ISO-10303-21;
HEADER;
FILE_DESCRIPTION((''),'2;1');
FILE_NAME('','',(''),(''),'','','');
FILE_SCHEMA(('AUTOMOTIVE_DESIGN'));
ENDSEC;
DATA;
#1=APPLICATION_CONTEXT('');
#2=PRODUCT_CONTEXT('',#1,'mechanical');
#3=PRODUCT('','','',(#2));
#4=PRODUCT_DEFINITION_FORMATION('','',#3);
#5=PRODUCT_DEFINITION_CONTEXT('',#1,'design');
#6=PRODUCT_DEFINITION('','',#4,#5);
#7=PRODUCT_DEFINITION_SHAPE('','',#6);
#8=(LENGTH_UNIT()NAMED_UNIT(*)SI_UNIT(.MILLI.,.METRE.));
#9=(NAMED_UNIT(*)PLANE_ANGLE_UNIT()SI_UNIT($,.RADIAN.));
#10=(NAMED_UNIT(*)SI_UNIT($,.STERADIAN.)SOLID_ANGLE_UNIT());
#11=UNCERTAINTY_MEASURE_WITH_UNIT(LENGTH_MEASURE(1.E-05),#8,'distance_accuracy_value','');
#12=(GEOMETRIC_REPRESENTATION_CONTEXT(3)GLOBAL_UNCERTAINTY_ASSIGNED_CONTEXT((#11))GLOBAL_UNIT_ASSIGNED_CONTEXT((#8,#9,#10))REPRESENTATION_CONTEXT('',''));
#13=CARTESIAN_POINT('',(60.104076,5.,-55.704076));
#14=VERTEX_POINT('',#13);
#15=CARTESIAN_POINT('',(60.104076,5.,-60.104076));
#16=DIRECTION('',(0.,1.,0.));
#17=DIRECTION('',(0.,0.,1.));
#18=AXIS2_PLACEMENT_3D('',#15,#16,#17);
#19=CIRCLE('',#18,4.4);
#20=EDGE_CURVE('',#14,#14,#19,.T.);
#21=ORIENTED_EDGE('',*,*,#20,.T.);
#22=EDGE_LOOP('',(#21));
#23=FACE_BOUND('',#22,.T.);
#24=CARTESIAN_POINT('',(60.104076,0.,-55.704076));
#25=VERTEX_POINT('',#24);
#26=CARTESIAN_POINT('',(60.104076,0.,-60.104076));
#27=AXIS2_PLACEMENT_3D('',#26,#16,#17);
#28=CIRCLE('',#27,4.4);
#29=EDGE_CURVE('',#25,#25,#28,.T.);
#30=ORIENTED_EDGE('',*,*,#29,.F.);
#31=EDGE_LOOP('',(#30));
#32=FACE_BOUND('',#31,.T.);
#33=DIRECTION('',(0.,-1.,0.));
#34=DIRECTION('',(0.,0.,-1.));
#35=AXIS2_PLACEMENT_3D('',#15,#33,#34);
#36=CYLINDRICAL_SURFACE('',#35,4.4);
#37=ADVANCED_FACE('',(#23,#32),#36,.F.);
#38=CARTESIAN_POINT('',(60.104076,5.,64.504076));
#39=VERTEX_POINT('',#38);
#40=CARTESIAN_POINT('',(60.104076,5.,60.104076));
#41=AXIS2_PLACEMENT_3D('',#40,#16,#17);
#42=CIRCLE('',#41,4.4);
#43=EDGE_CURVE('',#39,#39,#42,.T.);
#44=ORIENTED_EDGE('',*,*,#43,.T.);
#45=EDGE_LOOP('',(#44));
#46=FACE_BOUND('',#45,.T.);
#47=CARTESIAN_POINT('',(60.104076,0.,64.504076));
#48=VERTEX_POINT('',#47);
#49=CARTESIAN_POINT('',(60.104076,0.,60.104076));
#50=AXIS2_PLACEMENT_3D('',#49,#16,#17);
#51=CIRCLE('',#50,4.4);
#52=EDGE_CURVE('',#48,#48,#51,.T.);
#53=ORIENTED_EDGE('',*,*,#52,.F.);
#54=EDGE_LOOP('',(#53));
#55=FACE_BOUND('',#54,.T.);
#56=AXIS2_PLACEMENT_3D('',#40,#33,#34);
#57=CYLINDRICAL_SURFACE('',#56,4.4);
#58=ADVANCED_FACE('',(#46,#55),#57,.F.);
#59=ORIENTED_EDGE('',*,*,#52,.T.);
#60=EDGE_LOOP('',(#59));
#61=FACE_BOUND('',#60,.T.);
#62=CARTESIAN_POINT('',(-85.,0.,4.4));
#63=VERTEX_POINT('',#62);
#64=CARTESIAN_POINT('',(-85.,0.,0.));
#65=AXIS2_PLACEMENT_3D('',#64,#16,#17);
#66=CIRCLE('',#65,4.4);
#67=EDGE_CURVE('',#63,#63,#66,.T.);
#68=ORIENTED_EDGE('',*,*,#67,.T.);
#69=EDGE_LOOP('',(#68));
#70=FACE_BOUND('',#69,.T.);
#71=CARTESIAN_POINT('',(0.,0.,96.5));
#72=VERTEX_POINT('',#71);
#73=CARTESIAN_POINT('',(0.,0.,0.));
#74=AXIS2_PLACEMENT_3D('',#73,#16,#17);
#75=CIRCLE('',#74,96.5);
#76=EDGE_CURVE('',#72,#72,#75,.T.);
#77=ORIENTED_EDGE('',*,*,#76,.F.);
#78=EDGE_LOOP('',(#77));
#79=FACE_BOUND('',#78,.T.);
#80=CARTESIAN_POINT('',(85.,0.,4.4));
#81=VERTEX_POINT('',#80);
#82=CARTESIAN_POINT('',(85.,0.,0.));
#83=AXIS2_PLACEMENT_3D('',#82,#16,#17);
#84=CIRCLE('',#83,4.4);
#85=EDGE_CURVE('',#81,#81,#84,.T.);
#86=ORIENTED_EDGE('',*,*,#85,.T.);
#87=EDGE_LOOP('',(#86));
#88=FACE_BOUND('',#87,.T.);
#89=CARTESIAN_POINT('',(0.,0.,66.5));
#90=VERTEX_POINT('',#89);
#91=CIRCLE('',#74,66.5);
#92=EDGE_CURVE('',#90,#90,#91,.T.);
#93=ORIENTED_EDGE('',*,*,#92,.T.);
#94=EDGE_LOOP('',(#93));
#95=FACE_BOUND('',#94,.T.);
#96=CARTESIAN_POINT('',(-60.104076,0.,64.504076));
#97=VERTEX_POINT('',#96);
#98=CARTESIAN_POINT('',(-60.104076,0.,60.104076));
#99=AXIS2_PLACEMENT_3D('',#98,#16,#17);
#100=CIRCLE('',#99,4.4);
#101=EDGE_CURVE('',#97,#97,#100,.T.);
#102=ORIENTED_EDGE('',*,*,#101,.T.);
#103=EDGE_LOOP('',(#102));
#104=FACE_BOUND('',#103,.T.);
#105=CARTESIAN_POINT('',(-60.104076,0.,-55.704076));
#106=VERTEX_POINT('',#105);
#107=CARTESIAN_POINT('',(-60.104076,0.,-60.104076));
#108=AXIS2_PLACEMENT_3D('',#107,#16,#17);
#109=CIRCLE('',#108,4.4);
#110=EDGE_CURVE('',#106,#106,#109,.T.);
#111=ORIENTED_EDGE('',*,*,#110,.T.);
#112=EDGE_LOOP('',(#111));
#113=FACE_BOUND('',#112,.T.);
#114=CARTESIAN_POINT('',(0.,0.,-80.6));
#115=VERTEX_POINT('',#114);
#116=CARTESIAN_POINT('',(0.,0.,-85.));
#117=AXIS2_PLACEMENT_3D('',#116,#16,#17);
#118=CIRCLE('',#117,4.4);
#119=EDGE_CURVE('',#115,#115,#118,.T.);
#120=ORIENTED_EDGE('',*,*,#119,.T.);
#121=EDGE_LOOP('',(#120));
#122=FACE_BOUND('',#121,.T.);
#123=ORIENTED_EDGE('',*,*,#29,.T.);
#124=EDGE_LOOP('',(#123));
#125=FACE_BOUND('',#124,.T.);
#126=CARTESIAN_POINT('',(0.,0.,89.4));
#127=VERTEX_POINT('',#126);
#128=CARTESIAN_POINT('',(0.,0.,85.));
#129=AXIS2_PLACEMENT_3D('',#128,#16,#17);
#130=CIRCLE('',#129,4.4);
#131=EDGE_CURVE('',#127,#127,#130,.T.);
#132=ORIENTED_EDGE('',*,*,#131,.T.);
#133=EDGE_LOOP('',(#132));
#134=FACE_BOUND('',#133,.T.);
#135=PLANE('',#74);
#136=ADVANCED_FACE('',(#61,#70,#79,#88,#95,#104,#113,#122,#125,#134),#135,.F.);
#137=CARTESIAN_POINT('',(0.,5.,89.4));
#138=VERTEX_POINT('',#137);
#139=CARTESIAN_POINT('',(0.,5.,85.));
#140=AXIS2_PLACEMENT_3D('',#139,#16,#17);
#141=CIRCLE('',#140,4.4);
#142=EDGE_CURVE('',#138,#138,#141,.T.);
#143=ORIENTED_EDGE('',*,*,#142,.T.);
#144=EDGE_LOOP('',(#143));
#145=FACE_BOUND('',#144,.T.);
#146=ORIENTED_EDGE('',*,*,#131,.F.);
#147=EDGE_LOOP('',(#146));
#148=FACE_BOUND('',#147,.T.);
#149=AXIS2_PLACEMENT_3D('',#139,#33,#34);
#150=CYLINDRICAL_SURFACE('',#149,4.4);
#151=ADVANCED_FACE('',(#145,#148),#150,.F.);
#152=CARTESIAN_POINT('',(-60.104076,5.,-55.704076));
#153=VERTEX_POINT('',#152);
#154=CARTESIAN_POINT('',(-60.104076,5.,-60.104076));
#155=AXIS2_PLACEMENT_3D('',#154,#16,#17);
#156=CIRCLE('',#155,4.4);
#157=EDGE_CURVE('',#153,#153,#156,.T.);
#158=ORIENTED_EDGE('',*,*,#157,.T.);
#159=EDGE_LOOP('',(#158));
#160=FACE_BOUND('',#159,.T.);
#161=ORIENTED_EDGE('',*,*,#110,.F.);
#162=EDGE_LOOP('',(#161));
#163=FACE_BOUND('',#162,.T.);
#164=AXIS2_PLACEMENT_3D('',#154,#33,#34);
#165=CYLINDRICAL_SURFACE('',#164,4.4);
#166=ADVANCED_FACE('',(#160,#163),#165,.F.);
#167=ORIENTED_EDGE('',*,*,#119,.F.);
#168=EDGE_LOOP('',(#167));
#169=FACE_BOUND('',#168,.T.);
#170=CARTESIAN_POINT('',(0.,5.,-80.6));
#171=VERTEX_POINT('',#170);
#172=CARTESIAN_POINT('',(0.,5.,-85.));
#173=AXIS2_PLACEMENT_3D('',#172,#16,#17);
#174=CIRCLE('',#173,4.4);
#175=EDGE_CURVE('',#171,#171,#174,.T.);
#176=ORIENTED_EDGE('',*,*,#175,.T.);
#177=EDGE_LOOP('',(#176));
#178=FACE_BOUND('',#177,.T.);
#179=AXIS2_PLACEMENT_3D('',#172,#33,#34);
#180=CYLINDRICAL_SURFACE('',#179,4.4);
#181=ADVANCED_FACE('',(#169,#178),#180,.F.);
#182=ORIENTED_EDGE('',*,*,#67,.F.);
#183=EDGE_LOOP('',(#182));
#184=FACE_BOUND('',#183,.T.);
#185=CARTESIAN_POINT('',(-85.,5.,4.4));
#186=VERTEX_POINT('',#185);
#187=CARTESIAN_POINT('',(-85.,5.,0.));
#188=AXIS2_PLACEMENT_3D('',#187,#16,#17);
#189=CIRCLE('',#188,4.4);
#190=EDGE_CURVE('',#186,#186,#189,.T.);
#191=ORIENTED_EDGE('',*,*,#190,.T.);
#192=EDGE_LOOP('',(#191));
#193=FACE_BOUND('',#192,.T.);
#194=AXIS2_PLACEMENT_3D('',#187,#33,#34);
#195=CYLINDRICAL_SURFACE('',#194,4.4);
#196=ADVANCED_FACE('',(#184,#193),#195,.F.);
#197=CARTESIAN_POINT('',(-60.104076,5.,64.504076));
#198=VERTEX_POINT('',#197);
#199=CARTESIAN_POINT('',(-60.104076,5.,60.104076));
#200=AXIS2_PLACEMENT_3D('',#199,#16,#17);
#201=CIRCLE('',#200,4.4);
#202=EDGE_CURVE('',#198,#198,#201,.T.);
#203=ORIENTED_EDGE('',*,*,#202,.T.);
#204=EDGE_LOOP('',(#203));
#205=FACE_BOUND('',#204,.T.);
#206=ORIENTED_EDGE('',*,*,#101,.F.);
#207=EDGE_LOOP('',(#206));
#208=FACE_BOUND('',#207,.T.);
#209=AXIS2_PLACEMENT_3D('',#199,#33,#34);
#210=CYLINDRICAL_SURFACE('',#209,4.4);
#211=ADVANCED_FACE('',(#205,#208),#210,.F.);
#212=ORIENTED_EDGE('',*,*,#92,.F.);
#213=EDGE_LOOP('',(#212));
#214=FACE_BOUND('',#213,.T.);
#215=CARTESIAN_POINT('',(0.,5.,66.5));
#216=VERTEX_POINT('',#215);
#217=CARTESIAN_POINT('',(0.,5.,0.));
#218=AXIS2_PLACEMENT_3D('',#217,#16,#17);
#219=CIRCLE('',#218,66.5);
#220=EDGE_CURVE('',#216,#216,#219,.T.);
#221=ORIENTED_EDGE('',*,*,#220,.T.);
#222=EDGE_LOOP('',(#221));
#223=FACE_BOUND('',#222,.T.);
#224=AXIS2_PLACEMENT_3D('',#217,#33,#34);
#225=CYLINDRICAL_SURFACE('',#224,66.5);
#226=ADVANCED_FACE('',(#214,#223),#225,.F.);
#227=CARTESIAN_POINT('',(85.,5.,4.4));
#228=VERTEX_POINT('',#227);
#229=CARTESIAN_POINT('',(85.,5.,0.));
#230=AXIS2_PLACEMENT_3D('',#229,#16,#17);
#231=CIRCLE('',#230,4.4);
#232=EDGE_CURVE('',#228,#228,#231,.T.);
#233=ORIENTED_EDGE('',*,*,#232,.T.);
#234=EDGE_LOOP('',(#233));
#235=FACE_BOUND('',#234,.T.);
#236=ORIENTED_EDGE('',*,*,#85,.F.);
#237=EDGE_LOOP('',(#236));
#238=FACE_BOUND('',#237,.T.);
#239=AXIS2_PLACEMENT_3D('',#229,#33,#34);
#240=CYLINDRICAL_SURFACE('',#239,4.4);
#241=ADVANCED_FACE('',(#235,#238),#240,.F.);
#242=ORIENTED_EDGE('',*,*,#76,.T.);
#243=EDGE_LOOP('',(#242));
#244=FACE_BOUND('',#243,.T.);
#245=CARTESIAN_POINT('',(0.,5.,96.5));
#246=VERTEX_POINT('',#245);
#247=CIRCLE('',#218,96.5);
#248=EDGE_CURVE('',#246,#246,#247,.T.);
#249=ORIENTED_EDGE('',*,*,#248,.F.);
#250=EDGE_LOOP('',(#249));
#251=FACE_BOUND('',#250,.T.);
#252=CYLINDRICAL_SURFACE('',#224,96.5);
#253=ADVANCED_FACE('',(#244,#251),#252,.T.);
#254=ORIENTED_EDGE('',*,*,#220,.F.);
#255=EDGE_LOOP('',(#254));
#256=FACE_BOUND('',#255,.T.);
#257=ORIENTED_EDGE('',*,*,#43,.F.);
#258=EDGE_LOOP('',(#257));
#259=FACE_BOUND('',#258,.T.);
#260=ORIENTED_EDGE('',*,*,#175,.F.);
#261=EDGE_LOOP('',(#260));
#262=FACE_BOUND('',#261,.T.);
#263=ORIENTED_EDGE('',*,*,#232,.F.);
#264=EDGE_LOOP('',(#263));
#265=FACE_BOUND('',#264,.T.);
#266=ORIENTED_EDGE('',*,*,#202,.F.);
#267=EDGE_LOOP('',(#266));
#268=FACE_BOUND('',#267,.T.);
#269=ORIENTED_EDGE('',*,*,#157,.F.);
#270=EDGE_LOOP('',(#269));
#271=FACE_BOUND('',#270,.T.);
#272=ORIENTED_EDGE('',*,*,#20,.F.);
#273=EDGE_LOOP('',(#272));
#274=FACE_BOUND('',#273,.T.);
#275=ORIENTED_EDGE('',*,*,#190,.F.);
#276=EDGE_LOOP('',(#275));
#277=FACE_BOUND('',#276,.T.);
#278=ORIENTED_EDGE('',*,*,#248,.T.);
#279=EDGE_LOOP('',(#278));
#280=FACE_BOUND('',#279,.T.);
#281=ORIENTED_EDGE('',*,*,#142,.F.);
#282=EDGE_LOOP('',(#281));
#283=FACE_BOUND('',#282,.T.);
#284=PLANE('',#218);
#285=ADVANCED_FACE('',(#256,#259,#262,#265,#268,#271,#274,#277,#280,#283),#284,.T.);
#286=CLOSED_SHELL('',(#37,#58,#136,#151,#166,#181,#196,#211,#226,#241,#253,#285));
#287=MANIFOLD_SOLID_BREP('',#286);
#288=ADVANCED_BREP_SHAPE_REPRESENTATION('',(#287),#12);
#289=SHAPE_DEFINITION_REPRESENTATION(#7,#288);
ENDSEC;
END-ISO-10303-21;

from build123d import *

# Parameters (mm, degrees)
SKETCH_1_R      = 96.5
SKETCH_1_R_2    = 66.5
SKETCH_1_R_3    = 4.4
EXTRUDE_1_DEPTH = 5


with BuildPart() as part:
    # Эскиз1 → Бобышка-Вытянуть1 (new body)
    with BuildSketch(Plane(origin=(0, 0, 0), x_dir=(1, 0, 0), z_dir=(0, 1, 0))):
        with Locations(Location((0, 0, 0), (0, 0, 270))):
            Circle(SKETCH_1_R)
        with Locations(Location((0, 0, 0), (0, 0, 270))):
            Circle(SKETCH_1_R_2, mode=Mode.SUBTRACT)
        with Locations(Location((85, 0, 0), (0, 0, 270))):
            Circle(SKETCH_1_R_3, mode=Mode.SUBTRACT)
        with Locations(Location((60.104076401, -60.104076401, 0), (0, 0, 270))):
            Circle(SKETCH_1_R_3, mode=Mode.SUBTRACT)
        with Locations(Location((0, -85, 0), (0, 0, 270))):
            Circle(SKETCH_1_R_3, mode=Mode.SUBTRACT)
        with Locations(Location((-60.104076401, -60.104076401, 0), (0, 0, 270))):
            Circle(SKETCH_1_R_3, mode=Mode.SUBTRACT)
        with Locations(Location((-85, 0, 0), (0, 0, 270))):
            Circle(SKETCH_1_R_3, mode=Mode.SUBTRACT)
        with Locations(Location((-60.104076401, 60.104076401, 0), (0, 0, 270))):
            Circle(SKETCH_1_R_3, mode=Mode.SUBTRACT)
        with Locations(Location((0, 85, 0), (0, 0, 270))):
            Circle(SKETCH_1_R_3, mode=Mode.SUBTRACT)
        with Locations(Location((60.104076401, 60.104076401, 0), (0, 0, 270))):
            Circle(SKETCH_1_R_3, mode=Mode.SUBTRACT)
    extrude(amount=EXTRUDE_1_DEPTH)


solid = part.part
